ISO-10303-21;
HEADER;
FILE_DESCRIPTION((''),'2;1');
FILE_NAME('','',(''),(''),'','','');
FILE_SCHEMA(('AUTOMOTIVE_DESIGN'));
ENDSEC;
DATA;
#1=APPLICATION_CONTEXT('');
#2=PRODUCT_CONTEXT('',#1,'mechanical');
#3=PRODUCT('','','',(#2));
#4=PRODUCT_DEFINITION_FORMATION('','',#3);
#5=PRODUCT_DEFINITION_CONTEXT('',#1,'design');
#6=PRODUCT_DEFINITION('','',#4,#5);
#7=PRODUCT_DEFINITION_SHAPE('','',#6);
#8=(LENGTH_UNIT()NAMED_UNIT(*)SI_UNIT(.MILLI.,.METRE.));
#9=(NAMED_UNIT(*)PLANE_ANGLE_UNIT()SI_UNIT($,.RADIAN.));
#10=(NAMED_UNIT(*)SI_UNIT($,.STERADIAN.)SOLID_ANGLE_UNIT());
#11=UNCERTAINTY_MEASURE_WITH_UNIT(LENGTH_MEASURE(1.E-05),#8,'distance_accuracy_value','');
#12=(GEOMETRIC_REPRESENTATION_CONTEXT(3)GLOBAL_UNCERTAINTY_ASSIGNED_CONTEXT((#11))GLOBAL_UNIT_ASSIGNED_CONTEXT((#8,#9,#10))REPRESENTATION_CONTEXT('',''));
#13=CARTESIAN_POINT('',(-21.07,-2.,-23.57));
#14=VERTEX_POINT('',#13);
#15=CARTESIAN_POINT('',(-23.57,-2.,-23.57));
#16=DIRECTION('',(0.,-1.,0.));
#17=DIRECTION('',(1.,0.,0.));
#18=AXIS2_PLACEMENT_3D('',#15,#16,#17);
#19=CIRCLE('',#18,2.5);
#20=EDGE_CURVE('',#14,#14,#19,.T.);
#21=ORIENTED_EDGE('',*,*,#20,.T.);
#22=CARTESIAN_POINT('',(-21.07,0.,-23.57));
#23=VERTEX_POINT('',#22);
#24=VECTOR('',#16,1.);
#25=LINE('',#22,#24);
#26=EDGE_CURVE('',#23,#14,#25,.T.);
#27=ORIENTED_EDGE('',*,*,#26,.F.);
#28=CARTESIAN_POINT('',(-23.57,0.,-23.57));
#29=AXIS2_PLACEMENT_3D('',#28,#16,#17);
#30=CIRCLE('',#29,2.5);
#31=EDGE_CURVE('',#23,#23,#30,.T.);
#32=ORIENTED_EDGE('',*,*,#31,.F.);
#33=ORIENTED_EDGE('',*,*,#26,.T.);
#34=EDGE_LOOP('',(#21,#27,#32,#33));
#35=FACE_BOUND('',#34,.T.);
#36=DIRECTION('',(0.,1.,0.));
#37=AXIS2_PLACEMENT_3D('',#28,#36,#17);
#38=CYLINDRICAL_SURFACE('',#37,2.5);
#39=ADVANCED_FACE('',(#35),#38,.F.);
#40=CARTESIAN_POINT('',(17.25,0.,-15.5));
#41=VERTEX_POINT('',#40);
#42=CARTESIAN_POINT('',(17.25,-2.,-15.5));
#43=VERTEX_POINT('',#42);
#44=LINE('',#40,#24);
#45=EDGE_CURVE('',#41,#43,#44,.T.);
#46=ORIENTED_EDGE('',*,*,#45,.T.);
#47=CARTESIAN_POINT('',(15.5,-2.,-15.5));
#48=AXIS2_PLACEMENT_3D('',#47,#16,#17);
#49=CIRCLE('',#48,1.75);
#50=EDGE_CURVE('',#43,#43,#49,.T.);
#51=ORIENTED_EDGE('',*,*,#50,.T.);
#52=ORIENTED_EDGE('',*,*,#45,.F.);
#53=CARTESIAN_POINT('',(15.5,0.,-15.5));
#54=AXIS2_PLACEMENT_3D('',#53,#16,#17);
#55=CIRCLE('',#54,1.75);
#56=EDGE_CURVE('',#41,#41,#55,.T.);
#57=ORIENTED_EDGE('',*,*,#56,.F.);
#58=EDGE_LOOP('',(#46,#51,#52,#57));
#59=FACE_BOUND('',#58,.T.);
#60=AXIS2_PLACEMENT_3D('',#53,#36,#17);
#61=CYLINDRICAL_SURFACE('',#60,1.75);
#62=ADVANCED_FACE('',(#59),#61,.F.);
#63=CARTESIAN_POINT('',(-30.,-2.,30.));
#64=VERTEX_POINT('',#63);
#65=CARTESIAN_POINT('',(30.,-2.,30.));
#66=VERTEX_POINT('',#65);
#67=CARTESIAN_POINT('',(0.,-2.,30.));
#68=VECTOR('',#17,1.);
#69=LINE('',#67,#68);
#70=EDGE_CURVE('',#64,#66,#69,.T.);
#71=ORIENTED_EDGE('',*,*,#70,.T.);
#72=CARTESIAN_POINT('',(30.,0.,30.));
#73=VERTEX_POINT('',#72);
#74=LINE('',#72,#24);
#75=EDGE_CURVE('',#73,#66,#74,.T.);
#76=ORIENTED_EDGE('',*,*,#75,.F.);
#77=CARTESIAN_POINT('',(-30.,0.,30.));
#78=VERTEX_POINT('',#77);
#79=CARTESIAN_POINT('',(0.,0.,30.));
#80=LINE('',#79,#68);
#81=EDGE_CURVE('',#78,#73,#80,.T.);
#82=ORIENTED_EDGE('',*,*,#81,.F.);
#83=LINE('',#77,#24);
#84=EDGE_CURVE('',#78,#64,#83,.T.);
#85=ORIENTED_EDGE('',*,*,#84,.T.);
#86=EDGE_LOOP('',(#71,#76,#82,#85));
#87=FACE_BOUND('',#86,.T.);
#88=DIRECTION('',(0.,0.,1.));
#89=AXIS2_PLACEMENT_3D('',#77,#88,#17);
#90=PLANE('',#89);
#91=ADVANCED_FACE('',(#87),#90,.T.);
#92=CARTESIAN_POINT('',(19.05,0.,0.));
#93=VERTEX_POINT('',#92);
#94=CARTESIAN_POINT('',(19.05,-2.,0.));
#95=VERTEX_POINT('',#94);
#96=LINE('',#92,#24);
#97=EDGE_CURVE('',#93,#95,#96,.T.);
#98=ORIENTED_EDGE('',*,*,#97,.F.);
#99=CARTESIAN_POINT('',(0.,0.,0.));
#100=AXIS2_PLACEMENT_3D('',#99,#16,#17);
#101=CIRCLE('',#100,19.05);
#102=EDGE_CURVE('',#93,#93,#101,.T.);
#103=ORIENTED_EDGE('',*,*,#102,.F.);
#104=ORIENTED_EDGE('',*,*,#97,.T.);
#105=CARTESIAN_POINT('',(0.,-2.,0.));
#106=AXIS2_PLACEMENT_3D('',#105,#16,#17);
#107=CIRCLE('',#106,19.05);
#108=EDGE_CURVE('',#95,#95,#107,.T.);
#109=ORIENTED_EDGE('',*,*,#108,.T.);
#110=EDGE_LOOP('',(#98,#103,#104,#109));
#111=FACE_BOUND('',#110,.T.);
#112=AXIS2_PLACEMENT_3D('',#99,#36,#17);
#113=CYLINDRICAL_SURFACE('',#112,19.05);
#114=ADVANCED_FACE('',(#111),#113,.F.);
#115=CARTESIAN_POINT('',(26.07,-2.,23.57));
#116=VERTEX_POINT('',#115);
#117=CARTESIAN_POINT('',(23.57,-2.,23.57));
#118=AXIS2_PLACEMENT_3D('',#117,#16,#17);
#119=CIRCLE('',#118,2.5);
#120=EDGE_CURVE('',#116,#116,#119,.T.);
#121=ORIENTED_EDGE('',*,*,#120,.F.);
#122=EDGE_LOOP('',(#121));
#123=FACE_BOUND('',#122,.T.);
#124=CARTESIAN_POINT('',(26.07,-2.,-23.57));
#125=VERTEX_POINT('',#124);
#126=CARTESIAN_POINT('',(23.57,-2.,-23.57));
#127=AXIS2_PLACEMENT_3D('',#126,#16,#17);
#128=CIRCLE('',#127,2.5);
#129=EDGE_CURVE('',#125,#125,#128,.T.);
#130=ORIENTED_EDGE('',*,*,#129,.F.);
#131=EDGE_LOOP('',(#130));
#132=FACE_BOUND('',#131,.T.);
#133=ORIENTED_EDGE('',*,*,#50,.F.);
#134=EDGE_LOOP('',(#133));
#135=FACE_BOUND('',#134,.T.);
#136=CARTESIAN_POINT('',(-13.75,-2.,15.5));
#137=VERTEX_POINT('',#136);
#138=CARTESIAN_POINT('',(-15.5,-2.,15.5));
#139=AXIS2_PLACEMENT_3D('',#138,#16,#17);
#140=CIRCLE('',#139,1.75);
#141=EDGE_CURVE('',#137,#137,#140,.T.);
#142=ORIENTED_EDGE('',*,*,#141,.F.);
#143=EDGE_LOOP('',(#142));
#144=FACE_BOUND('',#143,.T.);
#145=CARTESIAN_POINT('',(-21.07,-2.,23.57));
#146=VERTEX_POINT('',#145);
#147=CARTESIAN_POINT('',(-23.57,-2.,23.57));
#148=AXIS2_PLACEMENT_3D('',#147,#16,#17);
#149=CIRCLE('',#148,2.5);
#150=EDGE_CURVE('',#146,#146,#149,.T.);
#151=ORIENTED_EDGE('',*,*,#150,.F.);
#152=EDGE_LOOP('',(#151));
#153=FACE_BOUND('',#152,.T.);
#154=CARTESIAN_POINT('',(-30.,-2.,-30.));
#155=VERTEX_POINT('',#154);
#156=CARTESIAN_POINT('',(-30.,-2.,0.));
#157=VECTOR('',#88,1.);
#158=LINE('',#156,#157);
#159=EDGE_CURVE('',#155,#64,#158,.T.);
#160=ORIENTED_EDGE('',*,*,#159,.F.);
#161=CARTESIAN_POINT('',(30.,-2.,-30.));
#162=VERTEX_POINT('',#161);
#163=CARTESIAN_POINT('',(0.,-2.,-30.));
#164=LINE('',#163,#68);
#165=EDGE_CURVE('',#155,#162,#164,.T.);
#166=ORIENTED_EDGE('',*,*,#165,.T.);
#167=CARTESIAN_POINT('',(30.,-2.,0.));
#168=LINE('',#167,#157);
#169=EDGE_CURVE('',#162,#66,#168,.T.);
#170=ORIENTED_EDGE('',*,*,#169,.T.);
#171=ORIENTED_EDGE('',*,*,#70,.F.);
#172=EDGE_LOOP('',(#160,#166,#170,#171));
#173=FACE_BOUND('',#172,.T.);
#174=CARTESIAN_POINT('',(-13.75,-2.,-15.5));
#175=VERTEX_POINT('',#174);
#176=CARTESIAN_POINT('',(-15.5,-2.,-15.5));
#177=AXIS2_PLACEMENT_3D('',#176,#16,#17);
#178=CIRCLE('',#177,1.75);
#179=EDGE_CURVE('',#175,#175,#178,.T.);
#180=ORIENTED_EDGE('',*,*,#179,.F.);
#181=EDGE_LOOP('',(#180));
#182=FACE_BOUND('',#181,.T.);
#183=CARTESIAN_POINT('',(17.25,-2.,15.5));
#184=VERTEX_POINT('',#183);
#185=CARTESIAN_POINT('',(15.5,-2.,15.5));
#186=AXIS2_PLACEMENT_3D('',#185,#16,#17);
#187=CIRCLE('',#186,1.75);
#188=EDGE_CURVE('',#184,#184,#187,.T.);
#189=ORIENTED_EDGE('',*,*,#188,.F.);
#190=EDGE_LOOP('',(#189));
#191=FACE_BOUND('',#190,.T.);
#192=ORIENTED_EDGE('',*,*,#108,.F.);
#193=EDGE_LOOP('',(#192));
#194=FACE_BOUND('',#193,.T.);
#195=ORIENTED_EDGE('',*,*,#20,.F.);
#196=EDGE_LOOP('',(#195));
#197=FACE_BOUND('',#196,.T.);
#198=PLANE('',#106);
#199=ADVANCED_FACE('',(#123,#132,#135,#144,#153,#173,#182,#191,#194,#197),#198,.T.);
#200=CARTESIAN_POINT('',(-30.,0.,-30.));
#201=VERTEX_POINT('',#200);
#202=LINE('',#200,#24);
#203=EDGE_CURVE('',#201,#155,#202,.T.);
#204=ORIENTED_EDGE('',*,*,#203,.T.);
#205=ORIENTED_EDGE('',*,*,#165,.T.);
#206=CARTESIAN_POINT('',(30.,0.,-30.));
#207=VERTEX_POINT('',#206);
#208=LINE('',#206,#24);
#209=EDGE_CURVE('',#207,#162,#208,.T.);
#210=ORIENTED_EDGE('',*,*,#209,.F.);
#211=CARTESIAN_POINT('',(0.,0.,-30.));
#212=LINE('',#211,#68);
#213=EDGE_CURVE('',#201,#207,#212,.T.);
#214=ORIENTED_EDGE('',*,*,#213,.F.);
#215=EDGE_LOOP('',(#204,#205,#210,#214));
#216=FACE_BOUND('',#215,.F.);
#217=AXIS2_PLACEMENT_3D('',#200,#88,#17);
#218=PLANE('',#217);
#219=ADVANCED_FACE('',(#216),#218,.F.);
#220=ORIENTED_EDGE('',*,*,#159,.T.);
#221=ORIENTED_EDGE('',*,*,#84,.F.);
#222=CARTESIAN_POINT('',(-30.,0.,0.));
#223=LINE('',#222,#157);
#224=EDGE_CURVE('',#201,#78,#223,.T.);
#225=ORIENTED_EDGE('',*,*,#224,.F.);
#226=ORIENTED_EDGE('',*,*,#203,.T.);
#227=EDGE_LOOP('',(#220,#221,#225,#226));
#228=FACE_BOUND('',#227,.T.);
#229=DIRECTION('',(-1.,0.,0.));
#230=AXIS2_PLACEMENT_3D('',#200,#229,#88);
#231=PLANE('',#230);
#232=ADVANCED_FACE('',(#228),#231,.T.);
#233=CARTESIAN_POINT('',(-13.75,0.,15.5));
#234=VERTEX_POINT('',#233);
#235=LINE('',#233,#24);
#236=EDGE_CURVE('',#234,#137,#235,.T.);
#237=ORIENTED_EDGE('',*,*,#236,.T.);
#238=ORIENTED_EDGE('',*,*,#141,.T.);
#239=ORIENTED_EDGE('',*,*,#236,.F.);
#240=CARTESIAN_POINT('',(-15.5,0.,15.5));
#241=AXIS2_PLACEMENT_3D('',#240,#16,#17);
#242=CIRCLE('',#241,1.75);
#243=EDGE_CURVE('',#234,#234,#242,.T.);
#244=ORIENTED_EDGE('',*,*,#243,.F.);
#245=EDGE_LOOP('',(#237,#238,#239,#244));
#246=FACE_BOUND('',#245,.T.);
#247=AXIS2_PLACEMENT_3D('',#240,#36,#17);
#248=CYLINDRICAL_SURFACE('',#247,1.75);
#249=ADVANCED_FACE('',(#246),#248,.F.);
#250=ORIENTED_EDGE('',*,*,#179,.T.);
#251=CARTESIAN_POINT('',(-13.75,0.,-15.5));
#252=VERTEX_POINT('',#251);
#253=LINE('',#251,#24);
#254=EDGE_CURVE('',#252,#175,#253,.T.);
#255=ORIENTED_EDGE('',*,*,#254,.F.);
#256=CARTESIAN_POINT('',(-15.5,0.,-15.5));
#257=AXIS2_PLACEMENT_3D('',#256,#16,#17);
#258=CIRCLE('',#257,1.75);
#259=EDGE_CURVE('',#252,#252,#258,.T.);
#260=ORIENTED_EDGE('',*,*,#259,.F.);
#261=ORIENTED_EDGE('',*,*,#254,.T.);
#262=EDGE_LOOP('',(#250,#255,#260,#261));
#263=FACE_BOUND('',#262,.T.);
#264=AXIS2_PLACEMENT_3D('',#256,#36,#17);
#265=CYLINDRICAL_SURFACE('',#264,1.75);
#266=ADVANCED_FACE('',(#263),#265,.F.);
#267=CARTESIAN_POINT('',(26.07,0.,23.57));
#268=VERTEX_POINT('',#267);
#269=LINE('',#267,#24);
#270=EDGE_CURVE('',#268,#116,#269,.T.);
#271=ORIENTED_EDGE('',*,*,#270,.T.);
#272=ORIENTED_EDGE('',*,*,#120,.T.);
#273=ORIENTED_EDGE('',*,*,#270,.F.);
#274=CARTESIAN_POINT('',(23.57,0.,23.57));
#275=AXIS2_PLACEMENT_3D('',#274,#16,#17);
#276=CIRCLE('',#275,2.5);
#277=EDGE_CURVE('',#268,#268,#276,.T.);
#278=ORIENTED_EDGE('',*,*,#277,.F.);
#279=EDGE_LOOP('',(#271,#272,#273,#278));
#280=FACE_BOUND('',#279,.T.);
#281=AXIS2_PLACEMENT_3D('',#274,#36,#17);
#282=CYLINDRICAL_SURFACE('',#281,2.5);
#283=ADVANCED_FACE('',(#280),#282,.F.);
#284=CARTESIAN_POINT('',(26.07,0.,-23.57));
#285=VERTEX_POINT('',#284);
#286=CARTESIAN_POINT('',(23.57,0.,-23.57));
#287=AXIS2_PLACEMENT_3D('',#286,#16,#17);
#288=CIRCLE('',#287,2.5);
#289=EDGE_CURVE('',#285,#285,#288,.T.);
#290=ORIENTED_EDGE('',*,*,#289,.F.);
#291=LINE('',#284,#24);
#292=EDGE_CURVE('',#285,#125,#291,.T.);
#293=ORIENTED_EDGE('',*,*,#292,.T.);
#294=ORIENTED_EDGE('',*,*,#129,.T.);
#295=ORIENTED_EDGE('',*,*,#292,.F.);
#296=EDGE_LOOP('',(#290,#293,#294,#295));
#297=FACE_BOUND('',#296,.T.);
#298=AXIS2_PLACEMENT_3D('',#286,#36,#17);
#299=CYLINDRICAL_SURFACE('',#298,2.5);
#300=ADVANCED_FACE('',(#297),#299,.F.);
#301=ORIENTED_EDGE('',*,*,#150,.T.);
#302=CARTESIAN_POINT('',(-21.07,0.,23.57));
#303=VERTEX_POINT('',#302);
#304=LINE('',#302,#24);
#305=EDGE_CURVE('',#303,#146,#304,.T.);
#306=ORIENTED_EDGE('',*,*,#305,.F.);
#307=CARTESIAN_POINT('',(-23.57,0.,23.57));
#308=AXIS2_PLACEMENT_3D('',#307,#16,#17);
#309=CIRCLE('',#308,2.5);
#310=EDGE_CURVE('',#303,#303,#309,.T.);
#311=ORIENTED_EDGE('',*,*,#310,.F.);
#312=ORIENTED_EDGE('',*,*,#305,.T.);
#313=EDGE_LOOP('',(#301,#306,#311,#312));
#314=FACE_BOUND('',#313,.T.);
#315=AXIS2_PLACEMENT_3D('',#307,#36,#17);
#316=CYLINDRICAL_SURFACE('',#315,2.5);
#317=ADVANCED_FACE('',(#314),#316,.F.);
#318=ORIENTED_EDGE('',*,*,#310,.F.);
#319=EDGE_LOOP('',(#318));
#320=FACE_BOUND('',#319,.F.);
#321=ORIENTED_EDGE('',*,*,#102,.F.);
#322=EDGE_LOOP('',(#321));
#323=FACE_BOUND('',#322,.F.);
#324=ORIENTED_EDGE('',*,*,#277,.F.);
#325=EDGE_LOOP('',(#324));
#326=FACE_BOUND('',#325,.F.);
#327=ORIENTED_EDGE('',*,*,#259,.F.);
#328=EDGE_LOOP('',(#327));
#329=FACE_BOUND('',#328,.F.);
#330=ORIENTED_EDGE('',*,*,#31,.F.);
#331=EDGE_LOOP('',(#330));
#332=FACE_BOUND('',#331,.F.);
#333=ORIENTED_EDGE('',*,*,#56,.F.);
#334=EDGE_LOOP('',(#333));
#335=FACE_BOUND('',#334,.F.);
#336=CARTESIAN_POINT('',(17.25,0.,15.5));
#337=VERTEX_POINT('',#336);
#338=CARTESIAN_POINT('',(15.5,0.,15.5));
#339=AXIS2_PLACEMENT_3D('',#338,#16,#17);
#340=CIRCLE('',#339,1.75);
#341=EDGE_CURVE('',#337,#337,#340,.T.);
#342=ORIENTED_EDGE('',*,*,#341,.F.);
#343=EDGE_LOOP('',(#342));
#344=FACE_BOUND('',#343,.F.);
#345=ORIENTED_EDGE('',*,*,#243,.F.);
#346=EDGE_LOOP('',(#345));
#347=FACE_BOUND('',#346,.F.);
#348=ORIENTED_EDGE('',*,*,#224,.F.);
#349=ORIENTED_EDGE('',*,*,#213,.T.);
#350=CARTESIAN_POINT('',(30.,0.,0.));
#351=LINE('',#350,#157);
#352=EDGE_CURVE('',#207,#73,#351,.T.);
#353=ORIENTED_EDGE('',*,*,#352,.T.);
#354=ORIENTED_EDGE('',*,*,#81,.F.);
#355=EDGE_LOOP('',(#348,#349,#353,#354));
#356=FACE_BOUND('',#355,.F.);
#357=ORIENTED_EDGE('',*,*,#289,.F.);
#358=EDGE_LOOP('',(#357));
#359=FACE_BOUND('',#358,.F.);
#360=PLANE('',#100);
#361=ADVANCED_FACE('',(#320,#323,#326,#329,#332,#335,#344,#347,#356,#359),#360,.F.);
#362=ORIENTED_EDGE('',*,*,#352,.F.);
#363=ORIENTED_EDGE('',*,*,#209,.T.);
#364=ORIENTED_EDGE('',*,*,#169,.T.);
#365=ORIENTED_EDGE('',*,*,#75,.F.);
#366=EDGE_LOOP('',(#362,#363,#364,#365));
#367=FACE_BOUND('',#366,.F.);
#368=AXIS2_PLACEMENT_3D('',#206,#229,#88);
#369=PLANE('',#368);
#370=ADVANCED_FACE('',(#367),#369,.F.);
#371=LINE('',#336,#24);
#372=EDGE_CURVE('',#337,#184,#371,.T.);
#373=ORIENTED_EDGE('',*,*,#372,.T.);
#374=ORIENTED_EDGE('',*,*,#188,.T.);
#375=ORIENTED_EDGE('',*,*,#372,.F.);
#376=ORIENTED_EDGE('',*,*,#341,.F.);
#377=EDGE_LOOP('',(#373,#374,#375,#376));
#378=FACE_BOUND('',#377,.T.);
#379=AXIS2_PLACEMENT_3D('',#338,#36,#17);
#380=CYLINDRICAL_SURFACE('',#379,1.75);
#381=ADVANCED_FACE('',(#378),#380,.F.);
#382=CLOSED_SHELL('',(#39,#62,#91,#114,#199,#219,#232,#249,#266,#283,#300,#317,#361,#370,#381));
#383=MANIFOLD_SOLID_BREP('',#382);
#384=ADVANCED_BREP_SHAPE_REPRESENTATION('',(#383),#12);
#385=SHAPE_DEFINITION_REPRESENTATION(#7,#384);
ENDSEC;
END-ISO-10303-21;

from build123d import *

# Parameters (mm, degrees)
F0_W     = 60
F0_H     = 60
F0_R     = 2.5
F0_R_2   = 1.75
F0_R_3   = 19.05
F1_DEPTH = 2


with BuildPart() as f1:
    # F0 (on Front) → F1 (new body)
    with BuildSketch(Plane.XZ):
        Rectangle(F0_W, F0_H)
        with Locations((-23.57, -23.57)):
            Circle(F0_R, mode=Mode.SUBTRACT)
        with Locations((-15.5, -15.5)):
            Circle(F0_R_2, mode=Mode.SUBTRACT)
        with Locations((23.57, -23.57)):
            Circle(F0_R, mode=Mode.SUBTRACT)
        with Locations((15.5, -15.5)):
            Circle(F0_R_2, mode=Mode.SUBTRACT)
        with Locations((-15.5, 15.5)):
            Circle(F0_R_2, mode=Mode.SUBTRACT)
        with Locations((-23.57, 23.57)):
            Circle(F0_R, mode=Mode.SUBTRACT)
        Circle(F0_R_3, mode=Mode.SUBTRACT)
        with Locations((15.5, 15.5)):
            Circle(F0_R_2, mode=Mode.SUBTRACT)
        with Locations((23.57, 23.57)):
            Circle(F0_R, mode=Mode.SUBTRACT)
    extrude(amount=F1_DEPTH)


solid = f1.part
